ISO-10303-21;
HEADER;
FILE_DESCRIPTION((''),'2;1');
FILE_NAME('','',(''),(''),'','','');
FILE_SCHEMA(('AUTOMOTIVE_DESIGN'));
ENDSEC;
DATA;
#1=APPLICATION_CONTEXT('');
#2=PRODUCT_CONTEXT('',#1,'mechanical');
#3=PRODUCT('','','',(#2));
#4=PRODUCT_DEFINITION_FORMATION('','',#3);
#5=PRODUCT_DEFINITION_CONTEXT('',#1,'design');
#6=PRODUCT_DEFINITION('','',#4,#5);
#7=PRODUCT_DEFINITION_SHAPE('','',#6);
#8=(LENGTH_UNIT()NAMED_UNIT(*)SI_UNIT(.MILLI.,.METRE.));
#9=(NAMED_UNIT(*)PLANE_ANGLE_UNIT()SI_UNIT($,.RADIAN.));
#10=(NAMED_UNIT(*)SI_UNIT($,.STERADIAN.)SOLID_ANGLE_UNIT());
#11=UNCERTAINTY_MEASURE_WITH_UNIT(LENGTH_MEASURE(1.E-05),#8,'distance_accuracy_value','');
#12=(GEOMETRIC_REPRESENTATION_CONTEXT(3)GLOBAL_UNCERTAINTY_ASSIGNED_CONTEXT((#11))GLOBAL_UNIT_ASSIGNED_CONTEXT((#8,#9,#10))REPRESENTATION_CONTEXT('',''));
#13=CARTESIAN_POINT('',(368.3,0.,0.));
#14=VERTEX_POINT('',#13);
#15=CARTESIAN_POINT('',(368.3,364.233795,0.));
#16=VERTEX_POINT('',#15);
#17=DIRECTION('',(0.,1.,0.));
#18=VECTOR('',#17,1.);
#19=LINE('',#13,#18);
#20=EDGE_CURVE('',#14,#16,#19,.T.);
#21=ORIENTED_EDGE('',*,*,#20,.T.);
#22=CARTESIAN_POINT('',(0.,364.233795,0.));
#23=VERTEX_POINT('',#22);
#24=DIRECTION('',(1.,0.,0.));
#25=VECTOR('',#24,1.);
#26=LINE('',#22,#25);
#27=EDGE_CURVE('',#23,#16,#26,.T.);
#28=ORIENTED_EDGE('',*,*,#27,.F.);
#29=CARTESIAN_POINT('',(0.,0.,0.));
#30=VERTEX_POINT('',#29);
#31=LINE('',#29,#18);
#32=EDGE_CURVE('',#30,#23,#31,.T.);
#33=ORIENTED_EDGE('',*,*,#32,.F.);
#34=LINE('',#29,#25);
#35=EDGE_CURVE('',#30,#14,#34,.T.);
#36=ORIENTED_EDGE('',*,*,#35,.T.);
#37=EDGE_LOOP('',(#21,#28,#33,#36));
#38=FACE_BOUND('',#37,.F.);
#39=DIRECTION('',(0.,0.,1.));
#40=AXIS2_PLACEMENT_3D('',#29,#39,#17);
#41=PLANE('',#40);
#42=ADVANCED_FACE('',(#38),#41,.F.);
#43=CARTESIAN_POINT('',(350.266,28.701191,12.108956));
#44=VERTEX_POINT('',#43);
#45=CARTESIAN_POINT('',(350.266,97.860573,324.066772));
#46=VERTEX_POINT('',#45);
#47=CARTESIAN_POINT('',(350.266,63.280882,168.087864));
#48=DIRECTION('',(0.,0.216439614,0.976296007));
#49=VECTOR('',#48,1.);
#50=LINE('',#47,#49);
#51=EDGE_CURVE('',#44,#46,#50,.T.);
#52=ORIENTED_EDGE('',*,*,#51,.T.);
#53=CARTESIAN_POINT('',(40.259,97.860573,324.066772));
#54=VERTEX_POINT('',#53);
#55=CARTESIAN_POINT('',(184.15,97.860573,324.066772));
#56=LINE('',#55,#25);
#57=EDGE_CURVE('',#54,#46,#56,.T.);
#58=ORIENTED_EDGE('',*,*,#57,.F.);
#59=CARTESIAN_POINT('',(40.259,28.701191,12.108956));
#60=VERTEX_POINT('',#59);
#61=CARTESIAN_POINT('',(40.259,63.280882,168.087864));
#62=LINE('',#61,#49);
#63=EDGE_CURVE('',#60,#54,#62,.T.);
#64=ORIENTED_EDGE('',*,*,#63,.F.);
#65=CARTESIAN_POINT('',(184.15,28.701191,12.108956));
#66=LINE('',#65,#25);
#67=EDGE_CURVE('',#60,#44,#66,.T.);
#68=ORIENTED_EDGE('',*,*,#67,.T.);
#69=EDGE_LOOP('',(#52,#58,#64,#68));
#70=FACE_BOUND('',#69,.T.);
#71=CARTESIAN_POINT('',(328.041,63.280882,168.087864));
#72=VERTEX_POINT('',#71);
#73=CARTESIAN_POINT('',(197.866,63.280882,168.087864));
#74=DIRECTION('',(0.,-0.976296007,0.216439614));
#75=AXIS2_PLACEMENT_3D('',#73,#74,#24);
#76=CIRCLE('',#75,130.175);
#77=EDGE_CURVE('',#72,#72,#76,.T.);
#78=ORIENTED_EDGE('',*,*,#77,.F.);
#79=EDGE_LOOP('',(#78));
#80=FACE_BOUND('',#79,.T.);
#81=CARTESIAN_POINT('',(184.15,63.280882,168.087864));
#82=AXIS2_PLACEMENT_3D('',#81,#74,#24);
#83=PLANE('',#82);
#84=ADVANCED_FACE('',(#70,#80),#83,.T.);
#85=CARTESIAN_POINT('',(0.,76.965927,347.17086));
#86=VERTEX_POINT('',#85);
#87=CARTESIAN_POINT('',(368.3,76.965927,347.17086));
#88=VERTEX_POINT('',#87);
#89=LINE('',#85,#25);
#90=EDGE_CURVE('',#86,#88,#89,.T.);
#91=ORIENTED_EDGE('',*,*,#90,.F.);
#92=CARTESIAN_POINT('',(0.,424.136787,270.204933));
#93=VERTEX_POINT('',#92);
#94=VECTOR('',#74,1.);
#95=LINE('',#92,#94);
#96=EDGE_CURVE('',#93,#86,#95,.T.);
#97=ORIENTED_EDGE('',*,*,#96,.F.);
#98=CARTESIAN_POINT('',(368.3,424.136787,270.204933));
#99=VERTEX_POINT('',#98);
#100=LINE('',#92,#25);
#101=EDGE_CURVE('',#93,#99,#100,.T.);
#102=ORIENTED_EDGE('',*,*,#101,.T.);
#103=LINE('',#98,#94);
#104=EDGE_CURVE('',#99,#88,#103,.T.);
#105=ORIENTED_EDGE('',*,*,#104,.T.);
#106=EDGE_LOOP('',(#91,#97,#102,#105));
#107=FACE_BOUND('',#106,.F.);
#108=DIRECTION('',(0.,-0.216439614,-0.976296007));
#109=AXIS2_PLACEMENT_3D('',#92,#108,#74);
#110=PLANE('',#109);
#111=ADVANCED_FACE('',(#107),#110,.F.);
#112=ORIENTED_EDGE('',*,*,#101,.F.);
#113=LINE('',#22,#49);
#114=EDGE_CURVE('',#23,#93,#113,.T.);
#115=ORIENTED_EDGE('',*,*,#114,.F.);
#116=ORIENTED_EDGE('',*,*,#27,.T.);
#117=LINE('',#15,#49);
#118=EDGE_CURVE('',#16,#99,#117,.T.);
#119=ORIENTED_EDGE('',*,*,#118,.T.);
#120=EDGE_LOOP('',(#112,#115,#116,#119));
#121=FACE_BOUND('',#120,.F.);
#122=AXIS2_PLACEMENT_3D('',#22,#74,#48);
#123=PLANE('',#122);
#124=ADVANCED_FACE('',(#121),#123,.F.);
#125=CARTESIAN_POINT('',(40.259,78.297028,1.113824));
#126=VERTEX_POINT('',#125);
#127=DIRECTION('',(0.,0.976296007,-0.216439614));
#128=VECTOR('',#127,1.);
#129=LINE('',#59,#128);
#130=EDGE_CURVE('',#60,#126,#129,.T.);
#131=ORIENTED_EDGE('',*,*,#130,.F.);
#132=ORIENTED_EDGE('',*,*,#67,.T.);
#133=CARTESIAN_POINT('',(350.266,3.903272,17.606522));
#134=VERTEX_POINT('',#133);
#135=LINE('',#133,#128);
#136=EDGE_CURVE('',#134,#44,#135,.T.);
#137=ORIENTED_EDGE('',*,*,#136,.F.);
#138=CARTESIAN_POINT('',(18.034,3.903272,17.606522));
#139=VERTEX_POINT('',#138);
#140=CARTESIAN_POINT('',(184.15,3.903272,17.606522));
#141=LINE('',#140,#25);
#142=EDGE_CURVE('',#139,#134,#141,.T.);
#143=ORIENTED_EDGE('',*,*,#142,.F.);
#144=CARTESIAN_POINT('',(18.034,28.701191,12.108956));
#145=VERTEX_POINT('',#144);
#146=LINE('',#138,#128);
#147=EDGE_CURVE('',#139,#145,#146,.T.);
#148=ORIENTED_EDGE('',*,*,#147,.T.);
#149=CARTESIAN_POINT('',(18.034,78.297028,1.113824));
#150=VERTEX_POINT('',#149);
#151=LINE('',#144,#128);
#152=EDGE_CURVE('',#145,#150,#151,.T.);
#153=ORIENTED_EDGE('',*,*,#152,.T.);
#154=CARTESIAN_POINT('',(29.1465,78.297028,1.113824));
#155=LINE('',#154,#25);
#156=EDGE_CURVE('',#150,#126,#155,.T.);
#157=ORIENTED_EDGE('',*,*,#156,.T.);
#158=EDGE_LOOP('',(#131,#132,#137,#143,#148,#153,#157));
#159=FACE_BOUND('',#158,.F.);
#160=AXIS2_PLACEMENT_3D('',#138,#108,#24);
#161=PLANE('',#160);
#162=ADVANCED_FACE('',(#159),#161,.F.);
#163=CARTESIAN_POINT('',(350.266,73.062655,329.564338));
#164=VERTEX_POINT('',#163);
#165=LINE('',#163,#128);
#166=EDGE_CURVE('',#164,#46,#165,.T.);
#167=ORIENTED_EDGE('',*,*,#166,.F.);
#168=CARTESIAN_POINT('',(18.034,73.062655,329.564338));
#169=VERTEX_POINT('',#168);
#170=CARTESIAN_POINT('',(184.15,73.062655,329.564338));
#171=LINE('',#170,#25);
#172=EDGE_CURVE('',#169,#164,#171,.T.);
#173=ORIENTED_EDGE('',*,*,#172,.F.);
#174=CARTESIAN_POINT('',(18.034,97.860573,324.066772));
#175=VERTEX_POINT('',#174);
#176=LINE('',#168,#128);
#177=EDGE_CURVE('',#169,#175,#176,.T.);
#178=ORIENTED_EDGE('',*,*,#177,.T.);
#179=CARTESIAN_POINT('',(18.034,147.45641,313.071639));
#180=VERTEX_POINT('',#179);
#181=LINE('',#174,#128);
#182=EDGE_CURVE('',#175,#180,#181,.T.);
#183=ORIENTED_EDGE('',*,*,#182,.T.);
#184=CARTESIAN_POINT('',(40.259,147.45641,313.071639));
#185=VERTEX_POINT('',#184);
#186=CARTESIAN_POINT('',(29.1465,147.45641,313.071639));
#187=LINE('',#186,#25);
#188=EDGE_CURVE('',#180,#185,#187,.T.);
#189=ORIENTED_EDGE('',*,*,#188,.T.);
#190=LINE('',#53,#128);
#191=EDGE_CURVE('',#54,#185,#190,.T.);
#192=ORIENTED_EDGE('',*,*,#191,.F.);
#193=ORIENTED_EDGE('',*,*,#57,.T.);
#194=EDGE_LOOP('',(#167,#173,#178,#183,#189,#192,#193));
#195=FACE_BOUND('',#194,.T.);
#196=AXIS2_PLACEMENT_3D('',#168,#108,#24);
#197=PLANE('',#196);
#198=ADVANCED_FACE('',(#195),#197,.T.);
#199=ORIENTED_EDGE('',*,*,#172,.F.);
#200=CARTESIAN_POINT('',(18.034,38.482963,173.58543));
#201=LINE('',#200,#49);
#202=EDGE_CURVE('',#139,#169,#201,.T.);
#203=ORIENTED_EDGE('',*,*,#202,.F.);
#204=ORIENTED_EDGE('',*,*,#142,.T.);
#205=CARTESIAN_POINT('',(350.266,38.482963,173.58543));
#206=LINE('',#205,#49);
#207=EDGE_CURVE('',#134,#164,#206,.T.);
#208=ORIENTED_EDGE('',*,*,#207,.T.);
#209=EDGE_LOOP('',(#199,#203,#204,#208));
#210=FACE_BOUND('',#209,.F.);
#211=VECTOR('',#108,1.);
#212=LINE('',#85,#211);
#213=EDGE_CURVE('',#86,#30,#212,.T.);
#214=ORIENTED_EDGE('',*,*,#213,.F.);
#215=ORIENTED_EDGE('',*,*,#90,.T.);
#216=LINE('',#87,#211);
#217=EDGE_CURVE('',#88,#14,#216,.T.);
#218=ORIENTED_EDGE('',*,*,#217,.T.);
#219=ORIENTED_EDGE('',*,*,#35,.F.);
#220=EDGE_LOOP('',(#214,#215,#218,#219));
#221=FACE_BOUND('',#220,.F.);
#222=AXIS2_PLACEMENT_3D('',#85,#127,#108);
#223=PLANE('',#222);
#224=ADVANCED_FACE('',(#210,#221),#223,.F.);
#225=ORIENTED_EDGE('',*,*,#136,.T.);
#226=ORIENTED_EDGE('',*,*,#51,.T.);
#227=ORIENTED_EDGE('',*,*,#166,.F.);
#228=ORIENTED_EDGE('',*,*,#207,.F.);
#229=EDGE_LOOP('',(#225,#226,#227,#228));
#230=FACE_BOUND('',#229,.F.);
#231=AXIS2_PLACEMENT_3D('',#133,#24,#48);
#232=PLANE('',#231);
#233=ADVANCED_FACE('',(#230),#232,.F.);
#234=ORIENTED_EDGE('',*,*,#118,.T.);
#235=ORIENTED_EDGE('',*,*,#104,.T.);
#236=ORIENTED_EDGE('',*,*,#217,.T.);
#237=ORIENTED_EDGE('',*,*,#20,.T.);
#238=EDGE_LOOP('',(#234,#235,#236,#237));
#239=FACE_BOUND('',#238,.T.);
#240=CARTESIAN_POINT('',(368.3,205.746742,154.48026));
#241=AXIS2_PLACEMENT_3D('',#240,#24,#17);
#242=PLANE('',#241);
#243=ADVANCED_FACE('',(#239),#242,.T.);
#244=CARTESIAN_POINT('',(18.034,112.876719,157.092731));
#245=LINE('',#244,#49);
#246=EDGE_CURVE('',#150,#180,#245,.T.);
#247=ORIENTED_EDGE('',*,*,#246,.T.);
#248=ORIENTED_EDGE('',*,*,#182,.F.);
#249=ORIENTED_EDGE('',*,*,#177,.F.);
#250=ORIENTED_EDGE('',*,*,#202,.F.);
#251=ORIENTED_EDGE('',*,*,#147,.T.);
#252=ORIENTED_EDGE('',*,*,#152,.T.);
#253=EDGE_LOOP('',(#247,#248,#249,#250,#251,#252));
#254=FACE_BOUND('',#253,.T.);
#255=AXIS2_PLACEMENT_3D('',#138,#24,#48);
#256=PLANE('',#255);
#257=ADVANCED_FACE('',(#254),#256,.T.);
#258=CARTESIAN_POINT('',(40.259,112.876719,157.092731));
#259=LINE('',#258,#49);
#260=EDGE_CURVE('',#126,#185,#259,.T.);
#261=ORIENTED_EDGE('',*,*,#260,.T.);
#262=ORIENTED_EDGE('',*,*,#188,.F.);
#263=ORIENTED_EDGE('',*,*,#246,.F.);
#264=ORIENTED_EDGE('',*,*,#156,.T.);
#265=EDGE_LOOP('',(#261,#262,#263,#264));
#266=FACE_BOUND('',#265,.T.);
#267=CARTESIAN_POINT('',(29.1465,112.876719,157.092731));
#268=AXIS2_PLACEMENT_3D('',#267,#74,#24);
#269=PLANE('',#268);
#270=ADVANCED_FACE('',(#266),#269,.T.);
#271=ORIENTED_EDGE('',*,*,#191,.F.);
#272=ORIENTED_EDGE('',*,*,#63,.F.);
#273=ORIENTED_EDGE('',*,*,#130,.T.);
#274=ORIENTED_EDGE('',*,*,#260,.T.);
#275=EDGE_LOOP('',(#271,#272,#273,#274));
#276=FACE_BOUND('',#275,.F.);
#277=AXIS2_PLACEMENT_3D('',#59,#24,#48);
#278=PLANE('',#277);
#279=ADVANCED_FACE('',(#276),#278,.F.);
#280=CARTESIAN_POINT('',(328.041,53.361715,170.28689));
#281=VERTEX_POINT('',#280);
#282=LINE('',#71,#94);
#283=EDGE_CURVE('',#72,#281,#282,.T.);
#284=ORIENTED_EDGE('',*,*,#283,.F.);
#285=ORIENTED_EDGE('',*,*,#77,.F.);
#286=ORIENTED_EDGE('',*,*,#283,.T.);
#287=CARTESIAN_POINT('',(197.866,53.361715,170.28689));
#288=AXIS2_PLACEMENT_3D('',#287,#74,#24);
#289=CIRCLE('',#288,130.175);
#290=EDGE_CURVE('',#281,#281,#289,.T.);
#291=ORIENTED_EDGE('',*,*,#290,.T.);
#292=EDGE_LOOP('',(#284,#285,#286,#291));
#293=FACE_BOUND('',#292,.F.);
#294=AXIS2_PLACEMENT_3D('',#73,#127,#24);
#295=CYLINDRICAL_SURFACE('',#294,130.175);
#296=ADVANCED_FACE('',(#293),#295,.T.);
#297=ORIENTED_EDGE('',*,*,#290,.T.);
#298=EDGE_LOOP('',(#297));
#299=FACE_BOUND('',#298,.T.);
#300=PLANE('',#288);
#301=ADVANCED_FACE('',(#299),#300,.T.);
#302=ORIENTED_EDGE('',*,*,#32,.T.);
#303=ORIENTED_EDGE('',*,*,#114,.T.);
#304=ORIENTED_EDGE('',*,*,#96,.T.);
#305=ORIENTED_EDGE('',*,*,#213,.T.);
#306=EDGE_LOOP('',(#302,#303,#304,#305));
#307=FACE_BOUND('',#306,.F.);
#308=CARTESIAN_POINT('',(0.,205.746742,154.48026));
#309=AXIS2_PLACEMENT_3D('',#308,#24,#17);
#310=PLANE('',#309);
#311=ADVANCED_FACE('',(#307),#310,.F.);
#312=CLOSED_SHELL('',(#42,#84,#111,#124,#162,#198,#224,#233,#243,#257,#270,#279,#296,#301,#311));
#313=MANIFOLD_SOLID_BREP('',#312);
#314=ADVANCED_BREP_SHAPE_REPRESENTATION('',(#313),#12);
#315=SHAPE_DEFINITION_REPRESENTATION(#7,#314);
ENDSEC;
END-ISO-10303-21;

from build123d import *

# Parameters (mm, degrees)
F1_DEPTH = 368.3
F2_W     = 332.232
F2_H     = 319.532
F3_DEPTH = 25.4
F4_R     = 130.175
F5_DEPTH = 10.16
F6_W     = 22.225
F6_H     = 319.532
F7_DEPTH = 50.8


with BuildPart() as f1:
    # F0 (on Right) → F1 (new body)
    with BuildSketch(Plane.YZ):
        Polygon((76.9659267164, 347.1708601318), (0, 0), (364.2337952902, 0), (424.1367868482, 270.2049334155), align=None)
    extrude(amount=F1_DEPTH)

    # F2 (on face) → F3 (cut)
    with BuildSketch(Plane(origin=(0, 0, 0), x_dir=(1, 0, 0), z_dir=(0, -0.9762960071, 0.2164396139))):
        with Locations((184.15, 177.8)):
            Rectangle(F2_W, F2_H)
    extrude(amount=-F3_DEPTH, mode=Mode.SUBTRACT)

    # F4 (on face) → F5 (join)
    with BuildSketch(Plane(origin=(0, 24.7979185808, -5.497566194), x_dir=(1, 0, 0), z_dir=(0, -0.9762960071, 0.2164396139))):
        with Locations((197.866, 177.8)):
            Circle(F4_R)
    extrude(amount=F5_DEPTH)

    # F6 (on face) → F7 (cut)
    with BuildSketch(Plane(origin=(0, 24.7979185808, -5.497566194), x_dir=(1, 0, 0), z_dir=(0, -0.9762960071, 0.2164396139))):
        with Locations((29.1465, 177.8)):
            Rectangle(F6_W, F6_H)
    extrude(amount=-F7_DEPTH, mode=Mode.SUBTRACT)


solid = f1.part
